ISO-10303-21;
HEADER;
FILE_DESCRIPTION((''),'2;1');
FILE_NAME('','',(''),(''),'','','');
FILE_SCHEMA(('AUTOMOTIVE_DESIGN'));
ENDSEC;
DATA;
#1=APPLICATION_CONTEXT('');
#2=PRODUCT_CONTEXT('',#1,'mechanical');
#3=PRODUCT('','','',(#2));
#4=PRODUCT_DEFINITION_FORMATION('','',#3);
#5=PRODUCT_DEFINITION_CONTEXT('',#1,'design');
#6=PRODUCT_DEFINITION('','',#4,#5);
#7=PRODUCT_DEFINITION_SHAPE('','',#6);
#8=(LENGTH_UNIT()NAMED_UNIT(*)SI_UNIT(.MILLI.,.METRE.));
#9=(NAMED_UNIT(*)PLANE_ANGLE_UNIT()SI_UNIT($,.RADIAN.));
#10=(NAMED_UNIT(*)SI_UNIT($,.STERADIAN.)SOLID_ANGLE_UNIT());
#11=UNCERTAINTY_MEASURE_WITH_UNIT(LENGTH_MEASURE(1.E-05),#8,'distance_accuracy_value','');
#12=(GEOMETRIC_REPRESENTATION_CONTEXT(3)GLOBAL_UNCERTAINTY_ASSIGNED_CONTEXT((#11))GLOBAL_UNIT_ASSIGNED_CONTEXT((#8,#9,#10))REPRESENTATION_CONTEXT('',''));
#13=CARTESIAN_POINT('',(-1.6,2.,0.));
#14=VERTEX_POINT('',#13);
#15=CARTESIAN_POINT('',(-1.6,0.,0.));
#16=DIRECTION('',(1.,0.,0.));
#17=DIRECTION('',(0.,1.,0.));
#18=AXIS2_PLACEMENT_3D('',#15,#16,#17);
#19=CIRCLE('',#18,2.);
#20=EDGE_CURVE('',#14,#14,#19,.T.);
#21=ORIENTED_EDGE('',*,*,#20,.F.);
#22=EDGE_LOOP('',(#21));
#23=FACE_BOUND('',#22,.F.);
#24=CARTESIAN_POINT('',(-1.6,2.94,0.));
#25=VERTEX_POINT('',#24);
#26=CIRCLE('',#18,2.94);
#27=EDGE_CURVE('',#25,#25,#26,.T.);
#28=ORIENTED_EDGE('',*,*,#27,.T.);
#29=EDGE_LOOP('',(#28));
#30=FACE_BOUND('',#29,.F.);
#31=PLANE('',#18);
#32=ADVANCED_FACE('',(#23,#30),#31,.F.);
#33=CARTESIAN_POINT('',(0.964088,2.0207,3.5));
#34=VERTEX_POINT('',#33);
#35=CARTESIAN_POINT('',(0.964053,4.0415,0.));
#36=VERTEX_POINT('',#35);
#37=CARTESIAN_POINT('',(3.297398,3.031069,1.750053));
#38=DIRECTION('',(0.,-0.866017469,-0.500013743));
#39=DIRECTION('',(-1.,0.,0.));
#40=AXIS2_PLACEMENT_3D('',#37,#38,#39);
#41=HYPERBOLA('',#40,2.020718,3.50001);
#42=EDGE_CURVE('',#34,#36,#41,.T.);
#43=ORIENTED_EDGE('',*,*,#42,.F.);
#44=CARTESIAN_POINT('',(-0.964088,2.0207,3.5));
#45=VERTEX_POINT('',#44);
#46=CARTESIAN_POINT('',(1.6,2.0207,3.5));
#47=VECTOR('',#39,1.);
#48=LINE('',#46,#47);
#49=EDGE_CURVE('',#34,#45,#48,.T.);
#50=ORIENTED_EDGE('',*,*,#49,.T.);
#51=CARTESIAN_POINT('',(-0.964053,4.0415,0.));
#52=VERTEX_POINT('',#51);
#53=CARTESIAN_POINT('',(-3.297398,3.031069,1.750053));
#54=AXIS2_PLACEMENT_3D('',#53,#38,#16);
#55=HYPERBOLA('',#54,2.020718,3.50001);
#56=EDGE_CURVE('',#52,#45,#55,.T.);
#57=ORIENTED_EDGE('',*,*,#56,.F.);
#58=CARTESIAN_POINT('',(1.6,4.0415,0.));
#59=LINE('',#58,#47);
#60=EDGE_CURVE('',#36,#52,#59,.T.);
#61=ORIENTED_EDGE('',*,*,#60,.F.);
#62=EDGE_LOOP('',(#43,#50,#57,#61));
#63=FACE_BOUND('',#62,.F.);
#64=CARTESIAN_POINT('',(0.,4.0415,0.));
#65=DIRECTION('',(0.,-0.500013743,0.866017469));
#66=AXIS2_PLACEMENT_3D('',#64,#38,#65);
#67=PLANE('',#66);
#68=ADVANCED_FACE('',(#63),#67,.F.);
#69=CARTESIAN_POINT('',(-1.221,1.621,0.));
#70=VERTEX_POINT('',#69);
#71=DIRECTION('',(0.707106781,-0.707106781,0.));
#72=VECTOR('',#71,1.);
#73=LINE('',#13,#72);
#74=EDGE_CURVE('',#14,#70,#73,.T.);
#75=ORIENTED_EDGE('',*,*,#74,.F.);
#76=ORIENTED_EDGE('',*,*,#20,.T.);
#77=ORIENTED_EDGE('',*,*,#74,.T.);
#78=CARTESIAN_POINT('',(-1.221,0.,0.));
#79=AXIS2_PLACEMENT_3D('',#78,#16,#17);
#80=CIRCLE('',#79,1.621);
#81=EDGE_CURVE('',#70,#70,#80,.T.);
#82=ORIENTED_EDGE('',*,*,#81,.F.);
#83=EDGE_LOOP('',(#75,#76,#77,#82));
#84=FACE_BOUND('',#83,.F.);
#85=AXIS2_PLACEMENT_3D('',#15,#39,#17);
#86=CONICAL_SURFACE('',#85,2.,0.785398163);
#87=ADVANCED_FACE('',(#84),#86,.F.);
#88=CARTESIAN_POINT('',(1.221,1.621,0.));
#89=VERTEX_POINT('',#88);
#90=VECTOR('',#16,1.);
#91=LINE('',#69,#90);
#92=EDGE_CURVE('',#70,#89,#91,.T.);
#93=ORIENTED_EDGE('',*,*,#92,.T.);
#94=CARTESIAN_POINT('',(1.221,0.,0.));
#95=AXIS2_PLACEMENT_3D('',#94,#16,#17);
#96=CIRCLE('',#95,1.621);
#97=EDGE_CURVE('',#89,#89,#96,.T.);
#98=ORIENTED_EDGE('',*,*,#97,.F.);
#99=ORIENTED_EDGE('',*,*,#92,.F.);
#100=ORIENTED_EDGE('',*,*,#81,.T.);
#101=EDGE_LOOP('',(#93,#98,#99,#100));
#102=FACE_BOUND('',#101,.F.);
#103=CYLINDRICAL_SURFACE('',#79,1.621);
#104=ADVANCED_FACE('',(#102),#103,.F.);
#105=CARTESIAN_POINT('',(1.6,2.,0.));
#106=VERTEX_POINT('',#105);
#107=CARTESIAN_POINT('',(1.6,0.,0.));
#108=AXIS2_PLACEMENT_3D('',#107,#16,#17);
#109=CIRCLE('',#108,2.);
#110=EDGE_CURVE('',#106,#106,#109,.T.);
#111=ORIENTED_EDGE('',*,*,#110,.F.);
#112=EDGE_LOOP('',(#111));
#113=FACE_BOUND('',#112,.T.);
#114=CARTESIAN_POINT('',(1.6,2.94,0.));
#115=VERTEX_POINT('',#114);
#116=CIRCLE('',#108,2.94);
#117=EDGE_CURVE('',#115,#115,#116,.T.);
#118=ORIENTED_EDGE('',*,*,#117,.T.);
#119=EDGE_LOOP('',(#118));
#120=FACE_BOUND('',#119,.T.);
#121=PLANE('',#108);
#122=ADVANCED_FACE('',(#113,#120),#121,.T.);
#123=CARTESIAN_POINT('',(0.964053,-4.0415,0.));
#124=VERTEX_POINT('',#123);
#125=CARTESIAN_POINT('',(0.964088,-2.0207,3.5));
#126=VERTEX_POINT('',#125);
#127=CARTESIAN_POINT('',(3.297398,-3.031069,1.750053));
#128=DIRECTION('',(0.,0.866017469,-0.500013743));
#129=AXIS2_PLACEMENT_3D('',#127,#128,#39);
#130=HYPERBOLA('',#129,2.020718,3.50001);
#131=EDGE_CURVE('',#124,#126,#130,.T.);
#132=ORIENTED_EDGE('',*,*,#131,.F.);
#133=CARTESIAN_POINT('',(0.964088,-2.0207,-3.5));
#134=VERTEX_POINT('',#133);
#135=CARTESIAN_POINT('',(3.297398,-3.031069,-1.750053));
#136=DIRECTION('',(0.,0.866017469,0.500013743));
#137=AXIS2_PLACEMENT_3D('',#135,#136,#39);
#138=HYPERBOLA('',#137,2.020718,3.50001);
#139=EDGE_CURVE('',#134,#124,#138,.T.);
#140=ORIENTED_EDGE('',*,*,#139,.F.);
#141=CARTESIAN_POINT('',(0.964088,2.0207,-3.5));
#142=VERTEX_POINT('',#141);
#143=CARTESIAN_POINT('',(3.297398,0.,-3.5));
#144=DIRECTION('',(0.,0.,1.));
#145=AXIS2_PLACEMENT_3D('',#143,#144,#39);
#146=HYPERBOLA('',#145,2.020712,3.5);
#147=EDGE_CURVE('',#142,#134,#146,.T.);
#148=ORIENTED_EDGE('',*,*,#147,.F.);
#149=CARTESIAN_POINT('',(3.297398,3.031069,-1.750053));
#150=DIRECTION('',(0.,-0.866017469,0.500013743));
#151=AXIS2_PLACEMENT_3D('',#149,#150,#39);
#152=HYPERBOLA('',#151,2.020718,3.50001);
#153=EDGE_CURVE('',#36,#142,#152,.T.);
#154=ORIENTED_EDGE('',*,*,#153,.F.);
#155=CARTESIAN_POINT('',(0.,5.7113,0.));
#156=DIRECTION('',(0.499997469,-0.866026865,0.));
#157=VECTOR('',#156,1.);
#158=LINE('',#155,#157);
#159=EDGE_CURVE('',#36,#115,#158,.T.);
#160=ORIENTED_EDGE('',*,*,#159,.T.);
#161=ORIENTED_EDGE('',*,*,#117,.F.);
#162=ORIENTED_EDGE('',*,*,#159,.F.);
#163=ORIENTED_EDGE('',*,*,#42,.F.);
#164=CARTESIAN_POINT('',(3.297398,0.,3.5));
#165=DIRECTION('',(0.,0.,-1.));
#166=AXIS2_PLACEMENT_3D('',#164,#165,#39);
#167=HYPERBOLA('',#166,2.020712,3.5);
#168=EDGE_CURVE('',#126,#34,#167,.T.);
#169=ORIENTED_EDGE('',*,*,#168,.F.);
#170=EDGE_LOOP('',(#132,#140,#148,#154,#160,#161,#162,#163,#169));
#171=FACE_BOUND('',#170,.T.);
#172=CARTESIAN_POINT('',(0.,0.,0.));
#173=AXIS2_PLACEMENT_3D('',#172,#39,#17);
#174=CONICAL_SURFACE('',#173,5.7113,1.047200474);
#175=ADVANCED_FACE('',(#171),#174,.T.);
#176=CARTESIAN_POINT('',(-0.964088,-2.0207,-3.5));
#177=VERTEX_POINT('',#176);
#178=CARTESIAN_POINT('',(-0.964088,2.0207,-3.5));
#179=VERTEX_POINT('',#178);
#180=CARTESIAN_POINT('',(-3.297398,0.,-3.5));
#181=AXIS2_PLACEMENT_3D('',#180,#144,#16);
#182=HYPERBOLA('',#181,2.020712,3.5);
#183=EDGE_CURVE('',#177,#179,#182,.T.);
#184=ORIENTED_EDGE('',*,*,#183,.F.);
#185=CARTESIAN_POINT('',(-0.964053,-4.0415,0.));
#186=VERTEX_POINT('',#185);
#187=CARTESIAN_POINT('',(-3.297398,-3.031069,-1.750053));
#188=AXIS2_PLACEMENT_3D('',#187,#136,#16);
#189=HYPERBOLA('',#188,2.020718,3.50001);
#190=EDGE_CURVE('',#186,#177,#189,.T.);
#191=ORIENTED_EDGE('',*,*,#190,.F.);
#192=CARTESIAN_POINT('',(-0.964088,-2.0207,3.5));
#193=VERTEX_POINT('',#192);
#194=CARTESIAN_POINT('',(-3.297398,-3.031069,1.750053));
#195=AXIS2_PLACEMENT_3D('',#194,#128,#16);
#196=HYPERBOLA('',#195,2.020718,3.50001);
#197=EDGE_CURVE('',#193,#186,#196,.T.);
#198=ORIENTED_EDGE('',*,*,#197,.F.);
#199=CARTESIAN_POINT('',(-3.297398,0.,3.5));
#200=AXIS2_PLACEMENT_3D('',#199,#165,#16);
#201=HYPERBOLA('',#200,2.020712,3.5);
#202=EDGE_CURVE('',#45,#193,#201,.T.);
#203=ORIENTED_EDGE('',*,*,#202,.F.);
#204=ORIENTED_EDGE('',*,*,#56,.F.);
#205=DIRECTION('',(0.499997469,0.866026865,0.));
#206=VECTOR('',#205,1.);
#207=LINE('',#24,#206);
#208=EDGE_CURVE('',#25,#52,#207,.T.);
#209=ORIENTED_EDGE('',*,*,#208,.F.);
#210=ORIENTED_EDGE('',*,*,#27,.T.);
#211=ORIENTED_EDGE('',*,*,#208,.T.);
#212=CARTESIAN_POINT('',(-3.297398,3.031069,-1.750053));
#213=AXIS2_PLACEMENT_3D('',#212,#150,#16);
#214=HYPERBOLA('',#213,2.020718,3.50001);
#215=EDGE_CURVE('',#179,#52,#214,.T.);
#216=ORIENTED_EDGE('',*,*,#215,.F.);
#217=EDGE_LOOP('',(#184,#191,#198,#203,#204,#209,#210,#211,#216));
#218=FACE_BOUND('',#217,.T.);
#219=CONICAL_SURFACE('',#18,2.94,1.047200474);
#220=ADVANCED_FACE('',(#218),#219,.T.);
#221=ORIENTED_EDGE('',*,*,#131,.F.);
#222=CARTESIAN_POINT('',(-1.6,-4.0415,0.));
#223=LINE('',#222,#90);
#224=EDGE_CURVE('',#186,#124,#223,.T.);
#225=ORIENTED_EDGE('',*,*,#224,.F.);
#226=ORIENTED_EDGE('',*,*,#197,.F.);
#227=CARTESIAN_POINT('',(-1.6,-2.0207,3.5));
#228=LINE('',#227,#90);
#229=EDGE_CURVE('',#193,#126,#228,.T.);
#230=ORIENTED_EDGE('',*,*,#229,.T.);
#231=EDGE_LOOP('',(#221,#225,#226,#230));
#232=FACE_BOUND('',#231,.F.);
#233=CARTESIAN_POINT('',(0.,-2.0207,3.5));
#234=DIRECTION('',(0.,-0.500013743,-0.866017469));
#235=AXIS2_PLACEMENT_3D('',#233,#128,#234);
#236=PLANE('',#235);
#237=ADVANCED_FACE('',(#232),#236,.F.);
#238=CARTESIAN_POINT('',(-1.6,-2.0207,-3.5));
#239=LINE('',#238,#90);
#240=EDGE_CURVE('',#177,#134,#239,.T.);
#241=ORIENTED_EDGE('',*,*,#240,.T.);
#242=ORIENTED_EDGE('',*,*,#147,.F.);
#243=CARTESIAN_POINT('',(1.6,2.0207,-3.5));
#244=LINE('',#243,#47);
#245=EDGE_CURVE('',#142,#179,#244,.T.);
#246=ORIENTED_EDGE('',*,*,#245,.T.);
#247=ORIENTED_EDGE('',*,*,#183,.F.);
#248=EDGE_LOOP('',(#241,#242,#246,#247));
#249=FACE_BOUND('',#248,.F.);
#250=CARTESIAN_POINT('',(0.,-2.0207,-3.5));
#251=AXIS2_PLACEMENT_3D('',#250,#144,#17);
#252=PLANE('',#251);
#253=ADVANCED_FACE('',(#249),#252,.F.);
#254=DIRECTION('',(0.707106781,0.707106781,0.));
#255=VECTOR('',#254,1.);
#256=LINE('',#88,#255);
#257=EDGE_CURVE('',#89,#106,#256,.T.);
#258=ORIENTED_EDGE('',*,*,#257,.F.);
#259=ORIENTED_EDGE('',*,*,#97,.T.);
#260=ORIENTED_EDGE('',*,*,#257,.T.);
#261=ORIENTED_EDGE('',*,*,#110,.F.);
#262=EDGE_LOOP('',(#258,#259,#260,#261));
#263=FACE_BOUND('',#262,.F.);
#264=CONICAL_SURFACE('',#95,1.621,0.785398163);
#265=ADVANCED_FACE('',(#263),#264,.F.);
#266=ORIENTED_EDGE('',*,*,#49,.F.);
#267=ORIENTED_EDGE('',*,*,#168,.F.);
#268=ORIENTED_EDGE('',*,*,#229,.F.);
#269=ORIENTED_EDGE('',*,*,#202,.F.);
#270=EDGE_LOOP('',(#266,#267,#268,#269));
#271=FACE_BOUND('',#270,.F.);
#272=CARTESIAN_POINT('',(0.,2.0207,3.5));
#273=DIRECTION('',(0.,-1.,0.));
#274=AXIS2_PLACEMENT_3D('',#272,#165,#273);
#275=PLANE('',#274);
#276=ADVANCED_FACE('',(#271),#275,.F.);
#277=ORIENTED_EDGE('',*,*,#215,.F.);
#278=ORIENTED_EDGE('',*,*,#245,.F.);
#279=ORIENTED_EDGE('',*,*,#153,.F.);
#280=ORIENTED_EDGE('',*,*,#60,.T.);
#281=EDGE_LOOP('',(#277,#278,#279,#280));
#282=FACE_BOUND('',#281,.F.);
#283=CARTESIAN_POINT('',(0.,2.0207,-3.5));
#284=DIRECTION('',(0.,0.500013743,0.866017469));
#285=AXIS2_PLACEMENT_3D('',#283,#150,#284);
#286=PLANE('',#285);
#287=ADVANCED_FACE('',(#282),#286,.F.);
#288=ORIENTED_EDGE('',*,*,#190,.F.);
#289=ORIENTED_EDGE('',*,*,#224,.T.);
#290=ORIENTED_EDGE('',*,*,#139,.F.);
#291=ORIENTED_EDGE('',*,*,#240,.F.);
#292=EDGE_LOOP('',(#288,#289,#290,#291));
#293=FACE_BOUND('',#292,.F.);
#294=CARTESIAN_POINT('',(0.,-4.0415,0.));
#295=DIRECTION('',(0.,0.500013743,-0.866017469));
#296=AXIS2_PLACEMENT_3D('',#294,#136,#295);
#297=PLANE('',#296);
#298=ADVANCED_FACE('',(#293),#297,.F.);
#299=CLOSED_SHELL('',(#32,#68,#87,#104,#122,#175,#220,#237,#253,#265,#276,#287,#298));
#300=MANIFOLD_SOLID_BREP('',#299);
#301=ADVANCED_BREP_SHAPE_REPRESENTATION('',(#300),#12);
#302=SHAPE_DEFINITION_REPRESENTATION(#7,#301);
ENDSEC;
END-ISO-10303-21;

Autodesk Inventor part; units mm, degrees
sketch "B" plane through (0, 0, 0) normal (1, 0, 0) x (0, 1, 0)
  line L0 (-2.0207, 3.5) -> (-4.0415, 0)
  line L1 (-4.0415, 0) -> (-2.0207, -3.5)
  line L2 (-2.0207, -3.5) -> (2.0207, -3.5)
  line L3 (2.0207, -3.5) -> (4.0415, 0)
  line L4 (4.0415, 0) -> (2.0207, 3.5)
  line L5 (2.0207, 3.5) -> (-2.0207, 3.5)
extrude "Extrusion1" add sketch "B" along normal mid plane 3.2
sketch "Sketch_2" plane through (0, 0, 0) normal (0, 0, 1) x (1, 0, 0)
  line L0 (1.6, 0) -> (-1.6, 0)
  line L1 (-1.6, 0) -> (-1.6, 2)
  line L2 (-1.6, 2) -> (-1.221, 1.621)
  line L3 (-1.221, 1.621) -> (1.221, 1.621)
  line L4 (1.221, 1.621) -> (1.6, 2)
  line L5 (1.6, 2) -> (1.6, 0)
  line L6 (1.6, 0) -> (-1.6, 0)
revolve "Revolution1" cut sketch "Sketch_2" angle 360 about axis through (1.6, 0, 0) along (1, 0, 0)
thread "Thread1" size "M4x0.7" class "6H" standard "ISO Metric profile" full length
sketch "Sketch_3" plane through (0, 0, 0) normal (0, 0, 1) x (1, 0, 0)
  line L0 (50, 0) -> (-50, 0)
  line L1 (-6.6, 6.94) -> (-6.6, 1)
  line L2 (-6.6, 1) -> (-1.6, 1)
  line L3 (-1.6, 1) -> (-1.6, 2.94)
  line L4 (-1.6, 2.94) -> (0, 5.7113)
  line L5 (0, 5.7113) -> (1.6, 2.94)
  line L6 (1.6, 2.94) -> (1.6, 1)
  line L7 (1.6, 1) -> (6.6, 1)
  line L8 (6.6, 1) -> (6.6, 6.94)
  line L9 (6.6, 6.94) -> (-6.6, 6.94)
revolve "Revolution2" cut sketch "Sketch_3" angle 360 about axis through (50, 0, 0) along (1, 0, 0)
ref_plane "nt_XY" through (0, 0, 0) normal (1, 0, 0) x (0, 0, -1)
ref_plane "nt_YZ" through (0, 0, 0) normal (0, 0, -1) x (0, 1, 0)
ref_plane "nt_ZX" through (0, 0, 0) normal (0, 1, 0) x (1, 0, 0)
ref_plane "ntj_XY" through (1.6, 0, 0) normal (1, 0, 0) x (0, 0, -1)
ref_plane "ntj_YZ" through (1.6, 0, 0) normal (0, 0, -1) x (0, 1, 0)
ref_plane "ntj_ZX" through (1.6, 0, 0) normal (0, 1, 0) x (1, 0, 0)
properties part number "NTJ-010A_CJ2"
